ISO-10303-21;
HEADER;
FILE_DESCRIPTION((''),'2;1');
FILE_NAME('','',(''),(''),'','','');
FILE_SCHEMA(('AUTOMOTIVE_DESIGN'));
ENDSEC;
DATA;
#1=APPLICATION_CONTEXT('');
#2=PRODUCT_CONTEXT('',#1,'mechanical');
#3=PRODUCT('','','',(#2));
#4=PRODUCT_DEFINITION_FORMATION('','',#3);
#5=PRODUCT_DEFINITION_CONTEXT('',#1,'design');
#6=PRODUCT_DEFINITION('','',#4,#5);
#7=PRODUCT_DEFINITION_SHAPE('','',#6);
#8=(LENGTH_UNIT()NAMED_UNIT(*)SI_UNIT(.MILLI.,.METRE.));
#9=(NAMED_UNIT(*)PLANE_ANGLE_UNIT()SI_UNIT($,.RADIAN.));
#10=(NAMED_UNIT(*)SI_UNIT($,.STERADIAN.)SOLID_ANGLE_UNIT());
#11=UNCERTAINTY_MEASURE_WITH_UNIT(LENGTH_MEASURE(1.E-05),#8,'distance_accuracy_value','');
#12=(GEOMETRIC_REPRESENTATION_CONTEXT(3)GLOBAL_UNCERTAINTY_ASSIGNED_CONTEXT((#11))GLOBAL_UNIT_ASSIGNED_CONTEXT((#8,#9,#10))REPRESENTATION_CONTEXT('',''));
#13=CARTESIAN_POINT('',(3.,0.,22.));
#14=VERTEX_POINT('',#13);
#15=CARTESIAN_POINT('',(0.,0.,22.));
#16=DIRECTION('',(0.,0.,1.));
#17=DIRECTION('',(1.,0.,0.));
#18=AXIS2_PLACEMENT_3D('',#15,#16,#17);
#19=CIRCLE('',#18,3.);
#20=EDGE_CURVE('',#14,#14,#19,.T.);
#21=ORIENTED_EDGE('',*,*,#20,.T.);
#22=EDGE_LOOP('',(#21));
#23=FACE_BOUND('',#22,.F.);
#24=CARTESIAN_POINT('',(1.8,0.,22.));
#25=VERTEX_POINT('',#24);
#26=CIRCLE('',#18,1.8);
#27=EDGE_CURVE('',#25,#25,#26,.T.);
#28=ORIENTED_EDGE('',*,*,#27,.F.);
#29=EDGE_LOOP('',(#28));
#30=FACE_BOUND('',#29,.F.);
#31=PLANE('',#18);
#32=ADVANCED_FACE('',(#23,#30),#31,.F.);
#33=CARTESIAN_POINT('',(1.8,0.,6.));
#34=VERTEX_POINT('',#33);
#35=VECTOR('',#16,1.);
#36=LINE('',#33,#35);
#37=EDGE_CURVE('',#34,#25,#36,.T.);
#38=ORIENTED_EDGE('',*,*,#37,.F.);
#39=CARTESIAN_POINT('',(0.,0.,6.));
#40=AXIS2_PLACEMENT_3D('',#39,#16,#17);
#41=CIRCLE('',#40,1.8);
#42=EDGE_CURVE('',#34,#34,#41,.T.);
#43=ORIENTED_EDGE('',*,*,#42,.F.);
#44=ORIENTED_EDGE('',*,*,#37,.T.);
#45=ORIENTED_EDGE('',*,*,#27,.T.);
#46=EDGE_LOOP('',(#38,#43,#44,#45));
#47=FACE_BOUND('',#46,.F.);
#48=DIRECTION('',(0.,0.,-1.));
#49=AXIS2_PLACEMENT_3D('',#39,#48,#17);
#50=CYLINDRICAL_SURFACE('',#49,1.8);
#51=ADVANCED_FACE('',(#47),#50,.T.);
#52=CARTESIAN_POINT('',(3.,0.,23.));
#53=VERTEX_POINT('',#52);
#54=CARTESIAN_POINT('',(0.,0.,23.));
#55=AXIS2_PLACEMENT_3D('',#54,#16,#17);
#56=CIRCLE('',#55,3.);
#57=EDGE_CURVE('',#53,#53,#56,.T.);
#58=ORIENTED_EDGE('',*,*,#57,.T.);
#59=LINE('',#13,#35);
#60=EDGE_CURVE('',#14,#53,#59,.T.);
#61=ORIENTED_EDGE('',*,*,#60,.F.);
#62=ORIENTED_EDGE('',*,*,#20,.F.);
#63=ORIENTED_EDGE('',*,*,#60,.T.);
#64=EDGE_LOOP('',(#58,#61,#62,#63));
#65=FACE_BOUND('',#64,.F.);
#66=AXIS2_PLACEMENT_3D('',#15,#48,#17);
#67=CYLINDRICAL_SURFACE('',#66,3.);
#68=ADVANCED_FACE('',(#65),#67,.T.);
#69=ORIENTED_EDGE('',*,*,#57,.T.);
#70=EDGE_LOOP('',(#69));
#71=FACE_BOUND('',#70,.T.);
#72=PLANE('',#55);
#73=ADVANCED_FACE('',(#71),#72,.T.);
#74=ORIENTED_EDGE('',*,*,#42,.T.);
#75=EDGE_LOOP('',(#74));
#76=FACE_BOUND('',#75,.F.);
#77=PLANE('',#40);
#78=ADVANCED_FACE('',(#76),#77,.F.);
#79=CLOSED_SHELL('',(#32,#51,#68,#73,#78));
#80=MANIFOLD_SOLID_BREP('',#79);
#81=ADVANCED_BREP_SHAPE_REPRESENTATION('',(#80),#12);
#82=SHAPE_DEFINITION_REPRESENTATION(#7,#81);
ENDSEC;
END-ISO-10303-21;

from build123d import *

# Parameters (mm, degrees)
F1_START = 6
F0_R     = 1.8
F1_DEPTH = 17
F2_START = 22
F0_R_2   = 3
F2_DEPTH = 1


with BuildPart() as f1:
    # F0 (on Top) → F1 (new body)
    with BuildSketch(Plane.XY.offset(F1_START)):
        Circle(F0_R)
    extrude(amount=F1_DEPTH)

    # F0 (on Top) → F2 (join)
    with BuildSketch(Plane.XY.offset(F2_START)):
        Circle(F0_R_2)
        Circle(F0_R, mode=Mode.SUBTRACT)
    extrude(amount=F2_DEPTH)


solid = f1.part
